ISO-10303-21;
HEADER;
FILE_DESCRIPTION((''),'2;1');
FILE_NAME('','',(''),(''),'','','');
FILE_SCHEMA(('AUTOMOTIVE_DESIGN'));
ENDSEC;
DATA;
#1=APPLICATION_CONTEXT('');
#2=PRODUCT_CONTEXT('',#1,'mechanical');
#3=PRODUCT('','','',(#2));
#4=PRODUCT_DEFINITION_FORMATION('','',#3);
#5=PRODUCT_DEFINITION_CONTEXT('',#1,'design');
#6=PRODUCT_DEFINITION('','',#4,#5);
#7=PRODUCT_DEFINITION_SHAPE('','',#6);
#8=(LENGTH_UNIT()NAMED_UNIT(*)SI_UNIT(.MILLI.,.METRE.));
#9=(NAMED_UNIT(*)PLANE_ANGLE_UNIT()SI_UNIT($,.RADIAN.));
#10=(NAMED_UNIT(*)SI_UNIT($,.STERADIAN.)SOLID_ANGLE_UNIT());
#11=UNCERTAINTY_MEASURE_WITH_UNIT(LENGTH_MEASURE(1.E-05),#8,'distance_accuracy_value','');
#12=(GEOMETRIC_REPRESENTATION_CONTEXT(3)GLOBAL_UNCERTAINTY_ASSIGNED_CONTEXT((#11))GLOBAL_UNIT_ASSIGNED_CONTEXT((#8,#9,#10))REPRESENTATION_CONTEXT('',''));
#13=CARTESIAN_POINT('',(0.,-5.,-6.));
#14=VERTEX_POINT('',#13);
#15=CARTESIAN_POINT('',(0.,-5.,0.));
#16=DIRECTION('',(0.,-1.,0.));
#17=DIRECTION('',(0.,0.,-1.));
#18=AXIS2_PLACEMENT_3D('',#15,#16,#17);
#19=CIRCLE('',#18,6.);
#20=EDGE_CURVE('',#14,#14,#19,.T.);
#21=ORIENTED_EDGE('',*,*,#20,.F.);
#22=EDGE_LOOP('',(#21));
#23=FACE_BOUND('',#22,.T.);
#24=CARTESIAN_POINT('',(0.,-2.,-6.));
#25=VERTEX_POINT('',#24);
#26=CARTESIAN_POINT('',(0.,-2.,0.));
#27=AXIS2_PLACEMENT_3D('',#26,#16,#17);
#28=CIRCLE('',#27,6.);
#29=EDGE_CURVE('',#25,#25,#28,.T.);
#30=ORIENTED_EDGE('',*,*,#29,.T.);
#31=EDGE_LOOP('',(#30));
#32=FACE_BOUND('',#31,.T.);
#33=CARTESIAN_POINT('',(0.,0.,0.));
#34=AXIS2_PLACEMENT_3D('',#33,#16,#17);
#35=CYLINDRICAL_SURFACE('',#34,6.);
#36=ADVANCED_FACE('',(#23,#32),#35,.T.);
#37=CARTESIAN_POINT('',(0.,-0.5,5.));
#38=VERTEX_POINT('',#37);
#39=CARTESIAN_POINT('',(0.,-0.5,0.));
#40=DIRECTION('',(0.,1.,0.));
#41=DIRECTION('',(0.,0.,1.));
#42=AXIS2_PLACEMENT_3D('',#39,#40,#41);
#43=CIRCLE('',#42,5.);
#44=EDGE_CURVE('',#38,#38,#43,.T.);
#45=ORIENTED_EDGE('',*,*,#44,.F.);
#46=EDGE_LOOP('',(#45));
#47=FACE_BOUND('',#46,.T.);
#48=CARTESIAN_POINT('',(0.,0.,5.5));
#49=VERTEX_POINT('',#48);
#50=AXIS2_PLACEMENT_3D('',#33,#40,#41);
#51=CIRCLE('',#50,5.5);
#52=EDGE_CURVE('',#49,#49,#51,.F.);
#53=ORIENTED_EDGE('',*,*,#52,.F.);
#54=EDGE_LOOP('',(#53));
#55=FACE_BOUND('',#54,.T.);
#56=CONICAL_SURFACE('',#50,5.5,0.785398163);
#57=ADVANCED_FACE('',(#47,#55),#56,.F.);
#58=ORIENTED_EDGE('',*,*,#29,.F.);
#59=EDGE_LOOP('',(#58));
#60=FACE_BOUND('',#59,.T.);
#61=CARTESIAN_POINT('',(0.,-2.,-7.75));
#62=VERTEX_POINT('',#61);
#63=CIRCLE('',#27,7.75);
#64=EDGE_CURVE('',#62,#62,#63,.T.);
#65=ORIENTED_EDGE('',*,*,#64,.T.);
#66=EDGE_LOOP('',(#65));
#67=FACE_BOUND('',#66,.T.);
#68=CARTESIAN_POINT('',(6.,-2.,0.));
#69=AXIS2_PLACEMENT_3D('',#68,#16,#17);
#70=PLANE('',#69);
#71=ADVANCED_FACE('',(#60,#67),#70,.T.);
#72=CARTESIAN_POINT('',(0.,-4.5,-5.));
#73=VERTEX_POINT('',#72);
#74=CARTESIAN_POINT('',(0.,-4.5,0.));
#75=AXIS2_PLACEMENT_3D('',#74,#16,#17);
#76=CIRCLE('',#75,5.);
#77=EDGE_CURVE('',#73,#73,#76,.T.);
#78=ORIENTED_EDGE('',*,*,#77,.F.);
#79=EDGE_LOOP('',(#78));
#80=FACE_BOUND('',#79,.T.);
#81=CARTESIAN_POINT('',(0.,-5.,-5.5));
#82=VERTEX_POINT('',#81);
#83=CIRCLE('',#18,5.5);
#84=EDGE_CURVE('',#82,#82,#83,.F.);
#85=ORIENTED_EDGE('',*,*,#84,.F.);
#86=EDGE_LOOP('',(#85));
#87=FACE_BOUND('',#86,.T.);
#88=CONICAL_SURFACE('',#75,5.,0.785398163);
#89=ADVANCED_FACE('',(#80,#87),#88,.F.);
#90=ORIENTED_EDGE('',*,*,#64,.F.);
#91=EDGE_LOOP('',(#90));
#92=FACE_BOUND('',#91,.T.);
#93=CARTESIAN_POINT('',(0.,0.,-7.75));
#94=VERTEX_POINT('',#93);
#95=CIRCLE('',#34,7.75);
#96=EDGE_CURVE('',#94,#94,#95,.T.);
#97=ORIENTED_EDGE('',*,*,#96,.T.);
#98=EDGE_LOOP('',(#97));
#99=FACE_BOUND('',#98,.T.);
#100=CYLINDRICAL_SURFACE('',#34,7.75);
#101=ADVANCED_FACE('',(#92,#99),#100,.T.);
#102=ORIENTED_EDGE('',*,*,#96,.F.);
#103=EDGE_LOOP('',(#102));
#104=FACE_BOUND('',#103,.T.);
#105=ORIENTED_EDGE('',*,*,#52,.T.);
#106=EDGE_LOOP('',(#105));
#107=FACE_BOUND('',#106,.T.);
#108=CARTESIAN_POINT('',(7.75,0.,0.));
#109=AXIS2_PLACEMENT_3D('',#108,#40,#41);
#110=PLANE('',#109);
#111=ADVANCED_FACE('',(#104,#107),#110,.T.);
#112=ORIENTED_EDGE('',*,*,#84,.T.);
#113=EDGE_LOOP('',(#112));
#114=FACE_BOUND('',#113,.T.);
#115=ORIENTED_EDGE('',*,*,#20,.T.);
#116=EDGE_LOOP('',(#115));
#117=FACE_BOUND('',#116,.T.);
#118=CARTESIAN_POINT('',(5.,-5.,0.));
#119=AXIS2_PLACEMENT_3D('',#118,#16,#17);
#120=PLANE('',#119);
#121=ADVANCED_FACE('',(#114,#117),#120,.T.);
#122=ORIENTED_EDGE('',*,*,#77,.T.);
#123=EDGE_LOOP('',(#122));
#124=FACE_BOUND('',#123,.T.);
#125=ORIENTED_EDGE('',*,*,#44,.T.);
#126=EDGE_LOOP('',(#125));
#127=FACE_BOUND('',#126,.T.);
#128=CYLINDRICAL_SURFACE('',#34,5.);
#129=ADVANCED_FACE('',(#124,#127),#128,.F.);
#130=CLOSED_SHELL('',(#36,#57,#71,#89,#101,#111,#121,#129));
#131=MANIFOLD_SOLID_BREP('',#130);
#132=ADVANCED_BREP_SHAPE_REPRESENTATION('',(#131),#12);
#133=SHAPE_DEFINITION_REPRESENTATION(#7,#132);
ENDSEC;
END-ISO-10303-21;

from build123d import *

# Parameters (mm, degrees)
CHAMFER1_SIZE = 0.5


with BuildPart() as part:
    # Sketch1 → Revolve1 (revolve)
    with BuildSketch(Plane.XY, mode=Mode.PRIVATE) as revolve1_sk:
        Polygon((5, 0), (5, -5), (6, -5), (6, -2), (7.75, -2), (7.75, 0), align=None)
    revolve(revolve1_sk.sketch.rotate(Axis((0, 0, 0), (0, 1, 0)), 90), axis=Axis((0, 0, 0), (0, 1, 0)))

    # Chamfer1
    chamfer1_edges = [part.edges().sort_by_distance(p)[0] for p in [
        (0, 0, 5),
        (0, -5, 5),
    ]]
    chamfer(chamfer1_edges, length=CHAMFER1_SIZE)


solid = part.part
